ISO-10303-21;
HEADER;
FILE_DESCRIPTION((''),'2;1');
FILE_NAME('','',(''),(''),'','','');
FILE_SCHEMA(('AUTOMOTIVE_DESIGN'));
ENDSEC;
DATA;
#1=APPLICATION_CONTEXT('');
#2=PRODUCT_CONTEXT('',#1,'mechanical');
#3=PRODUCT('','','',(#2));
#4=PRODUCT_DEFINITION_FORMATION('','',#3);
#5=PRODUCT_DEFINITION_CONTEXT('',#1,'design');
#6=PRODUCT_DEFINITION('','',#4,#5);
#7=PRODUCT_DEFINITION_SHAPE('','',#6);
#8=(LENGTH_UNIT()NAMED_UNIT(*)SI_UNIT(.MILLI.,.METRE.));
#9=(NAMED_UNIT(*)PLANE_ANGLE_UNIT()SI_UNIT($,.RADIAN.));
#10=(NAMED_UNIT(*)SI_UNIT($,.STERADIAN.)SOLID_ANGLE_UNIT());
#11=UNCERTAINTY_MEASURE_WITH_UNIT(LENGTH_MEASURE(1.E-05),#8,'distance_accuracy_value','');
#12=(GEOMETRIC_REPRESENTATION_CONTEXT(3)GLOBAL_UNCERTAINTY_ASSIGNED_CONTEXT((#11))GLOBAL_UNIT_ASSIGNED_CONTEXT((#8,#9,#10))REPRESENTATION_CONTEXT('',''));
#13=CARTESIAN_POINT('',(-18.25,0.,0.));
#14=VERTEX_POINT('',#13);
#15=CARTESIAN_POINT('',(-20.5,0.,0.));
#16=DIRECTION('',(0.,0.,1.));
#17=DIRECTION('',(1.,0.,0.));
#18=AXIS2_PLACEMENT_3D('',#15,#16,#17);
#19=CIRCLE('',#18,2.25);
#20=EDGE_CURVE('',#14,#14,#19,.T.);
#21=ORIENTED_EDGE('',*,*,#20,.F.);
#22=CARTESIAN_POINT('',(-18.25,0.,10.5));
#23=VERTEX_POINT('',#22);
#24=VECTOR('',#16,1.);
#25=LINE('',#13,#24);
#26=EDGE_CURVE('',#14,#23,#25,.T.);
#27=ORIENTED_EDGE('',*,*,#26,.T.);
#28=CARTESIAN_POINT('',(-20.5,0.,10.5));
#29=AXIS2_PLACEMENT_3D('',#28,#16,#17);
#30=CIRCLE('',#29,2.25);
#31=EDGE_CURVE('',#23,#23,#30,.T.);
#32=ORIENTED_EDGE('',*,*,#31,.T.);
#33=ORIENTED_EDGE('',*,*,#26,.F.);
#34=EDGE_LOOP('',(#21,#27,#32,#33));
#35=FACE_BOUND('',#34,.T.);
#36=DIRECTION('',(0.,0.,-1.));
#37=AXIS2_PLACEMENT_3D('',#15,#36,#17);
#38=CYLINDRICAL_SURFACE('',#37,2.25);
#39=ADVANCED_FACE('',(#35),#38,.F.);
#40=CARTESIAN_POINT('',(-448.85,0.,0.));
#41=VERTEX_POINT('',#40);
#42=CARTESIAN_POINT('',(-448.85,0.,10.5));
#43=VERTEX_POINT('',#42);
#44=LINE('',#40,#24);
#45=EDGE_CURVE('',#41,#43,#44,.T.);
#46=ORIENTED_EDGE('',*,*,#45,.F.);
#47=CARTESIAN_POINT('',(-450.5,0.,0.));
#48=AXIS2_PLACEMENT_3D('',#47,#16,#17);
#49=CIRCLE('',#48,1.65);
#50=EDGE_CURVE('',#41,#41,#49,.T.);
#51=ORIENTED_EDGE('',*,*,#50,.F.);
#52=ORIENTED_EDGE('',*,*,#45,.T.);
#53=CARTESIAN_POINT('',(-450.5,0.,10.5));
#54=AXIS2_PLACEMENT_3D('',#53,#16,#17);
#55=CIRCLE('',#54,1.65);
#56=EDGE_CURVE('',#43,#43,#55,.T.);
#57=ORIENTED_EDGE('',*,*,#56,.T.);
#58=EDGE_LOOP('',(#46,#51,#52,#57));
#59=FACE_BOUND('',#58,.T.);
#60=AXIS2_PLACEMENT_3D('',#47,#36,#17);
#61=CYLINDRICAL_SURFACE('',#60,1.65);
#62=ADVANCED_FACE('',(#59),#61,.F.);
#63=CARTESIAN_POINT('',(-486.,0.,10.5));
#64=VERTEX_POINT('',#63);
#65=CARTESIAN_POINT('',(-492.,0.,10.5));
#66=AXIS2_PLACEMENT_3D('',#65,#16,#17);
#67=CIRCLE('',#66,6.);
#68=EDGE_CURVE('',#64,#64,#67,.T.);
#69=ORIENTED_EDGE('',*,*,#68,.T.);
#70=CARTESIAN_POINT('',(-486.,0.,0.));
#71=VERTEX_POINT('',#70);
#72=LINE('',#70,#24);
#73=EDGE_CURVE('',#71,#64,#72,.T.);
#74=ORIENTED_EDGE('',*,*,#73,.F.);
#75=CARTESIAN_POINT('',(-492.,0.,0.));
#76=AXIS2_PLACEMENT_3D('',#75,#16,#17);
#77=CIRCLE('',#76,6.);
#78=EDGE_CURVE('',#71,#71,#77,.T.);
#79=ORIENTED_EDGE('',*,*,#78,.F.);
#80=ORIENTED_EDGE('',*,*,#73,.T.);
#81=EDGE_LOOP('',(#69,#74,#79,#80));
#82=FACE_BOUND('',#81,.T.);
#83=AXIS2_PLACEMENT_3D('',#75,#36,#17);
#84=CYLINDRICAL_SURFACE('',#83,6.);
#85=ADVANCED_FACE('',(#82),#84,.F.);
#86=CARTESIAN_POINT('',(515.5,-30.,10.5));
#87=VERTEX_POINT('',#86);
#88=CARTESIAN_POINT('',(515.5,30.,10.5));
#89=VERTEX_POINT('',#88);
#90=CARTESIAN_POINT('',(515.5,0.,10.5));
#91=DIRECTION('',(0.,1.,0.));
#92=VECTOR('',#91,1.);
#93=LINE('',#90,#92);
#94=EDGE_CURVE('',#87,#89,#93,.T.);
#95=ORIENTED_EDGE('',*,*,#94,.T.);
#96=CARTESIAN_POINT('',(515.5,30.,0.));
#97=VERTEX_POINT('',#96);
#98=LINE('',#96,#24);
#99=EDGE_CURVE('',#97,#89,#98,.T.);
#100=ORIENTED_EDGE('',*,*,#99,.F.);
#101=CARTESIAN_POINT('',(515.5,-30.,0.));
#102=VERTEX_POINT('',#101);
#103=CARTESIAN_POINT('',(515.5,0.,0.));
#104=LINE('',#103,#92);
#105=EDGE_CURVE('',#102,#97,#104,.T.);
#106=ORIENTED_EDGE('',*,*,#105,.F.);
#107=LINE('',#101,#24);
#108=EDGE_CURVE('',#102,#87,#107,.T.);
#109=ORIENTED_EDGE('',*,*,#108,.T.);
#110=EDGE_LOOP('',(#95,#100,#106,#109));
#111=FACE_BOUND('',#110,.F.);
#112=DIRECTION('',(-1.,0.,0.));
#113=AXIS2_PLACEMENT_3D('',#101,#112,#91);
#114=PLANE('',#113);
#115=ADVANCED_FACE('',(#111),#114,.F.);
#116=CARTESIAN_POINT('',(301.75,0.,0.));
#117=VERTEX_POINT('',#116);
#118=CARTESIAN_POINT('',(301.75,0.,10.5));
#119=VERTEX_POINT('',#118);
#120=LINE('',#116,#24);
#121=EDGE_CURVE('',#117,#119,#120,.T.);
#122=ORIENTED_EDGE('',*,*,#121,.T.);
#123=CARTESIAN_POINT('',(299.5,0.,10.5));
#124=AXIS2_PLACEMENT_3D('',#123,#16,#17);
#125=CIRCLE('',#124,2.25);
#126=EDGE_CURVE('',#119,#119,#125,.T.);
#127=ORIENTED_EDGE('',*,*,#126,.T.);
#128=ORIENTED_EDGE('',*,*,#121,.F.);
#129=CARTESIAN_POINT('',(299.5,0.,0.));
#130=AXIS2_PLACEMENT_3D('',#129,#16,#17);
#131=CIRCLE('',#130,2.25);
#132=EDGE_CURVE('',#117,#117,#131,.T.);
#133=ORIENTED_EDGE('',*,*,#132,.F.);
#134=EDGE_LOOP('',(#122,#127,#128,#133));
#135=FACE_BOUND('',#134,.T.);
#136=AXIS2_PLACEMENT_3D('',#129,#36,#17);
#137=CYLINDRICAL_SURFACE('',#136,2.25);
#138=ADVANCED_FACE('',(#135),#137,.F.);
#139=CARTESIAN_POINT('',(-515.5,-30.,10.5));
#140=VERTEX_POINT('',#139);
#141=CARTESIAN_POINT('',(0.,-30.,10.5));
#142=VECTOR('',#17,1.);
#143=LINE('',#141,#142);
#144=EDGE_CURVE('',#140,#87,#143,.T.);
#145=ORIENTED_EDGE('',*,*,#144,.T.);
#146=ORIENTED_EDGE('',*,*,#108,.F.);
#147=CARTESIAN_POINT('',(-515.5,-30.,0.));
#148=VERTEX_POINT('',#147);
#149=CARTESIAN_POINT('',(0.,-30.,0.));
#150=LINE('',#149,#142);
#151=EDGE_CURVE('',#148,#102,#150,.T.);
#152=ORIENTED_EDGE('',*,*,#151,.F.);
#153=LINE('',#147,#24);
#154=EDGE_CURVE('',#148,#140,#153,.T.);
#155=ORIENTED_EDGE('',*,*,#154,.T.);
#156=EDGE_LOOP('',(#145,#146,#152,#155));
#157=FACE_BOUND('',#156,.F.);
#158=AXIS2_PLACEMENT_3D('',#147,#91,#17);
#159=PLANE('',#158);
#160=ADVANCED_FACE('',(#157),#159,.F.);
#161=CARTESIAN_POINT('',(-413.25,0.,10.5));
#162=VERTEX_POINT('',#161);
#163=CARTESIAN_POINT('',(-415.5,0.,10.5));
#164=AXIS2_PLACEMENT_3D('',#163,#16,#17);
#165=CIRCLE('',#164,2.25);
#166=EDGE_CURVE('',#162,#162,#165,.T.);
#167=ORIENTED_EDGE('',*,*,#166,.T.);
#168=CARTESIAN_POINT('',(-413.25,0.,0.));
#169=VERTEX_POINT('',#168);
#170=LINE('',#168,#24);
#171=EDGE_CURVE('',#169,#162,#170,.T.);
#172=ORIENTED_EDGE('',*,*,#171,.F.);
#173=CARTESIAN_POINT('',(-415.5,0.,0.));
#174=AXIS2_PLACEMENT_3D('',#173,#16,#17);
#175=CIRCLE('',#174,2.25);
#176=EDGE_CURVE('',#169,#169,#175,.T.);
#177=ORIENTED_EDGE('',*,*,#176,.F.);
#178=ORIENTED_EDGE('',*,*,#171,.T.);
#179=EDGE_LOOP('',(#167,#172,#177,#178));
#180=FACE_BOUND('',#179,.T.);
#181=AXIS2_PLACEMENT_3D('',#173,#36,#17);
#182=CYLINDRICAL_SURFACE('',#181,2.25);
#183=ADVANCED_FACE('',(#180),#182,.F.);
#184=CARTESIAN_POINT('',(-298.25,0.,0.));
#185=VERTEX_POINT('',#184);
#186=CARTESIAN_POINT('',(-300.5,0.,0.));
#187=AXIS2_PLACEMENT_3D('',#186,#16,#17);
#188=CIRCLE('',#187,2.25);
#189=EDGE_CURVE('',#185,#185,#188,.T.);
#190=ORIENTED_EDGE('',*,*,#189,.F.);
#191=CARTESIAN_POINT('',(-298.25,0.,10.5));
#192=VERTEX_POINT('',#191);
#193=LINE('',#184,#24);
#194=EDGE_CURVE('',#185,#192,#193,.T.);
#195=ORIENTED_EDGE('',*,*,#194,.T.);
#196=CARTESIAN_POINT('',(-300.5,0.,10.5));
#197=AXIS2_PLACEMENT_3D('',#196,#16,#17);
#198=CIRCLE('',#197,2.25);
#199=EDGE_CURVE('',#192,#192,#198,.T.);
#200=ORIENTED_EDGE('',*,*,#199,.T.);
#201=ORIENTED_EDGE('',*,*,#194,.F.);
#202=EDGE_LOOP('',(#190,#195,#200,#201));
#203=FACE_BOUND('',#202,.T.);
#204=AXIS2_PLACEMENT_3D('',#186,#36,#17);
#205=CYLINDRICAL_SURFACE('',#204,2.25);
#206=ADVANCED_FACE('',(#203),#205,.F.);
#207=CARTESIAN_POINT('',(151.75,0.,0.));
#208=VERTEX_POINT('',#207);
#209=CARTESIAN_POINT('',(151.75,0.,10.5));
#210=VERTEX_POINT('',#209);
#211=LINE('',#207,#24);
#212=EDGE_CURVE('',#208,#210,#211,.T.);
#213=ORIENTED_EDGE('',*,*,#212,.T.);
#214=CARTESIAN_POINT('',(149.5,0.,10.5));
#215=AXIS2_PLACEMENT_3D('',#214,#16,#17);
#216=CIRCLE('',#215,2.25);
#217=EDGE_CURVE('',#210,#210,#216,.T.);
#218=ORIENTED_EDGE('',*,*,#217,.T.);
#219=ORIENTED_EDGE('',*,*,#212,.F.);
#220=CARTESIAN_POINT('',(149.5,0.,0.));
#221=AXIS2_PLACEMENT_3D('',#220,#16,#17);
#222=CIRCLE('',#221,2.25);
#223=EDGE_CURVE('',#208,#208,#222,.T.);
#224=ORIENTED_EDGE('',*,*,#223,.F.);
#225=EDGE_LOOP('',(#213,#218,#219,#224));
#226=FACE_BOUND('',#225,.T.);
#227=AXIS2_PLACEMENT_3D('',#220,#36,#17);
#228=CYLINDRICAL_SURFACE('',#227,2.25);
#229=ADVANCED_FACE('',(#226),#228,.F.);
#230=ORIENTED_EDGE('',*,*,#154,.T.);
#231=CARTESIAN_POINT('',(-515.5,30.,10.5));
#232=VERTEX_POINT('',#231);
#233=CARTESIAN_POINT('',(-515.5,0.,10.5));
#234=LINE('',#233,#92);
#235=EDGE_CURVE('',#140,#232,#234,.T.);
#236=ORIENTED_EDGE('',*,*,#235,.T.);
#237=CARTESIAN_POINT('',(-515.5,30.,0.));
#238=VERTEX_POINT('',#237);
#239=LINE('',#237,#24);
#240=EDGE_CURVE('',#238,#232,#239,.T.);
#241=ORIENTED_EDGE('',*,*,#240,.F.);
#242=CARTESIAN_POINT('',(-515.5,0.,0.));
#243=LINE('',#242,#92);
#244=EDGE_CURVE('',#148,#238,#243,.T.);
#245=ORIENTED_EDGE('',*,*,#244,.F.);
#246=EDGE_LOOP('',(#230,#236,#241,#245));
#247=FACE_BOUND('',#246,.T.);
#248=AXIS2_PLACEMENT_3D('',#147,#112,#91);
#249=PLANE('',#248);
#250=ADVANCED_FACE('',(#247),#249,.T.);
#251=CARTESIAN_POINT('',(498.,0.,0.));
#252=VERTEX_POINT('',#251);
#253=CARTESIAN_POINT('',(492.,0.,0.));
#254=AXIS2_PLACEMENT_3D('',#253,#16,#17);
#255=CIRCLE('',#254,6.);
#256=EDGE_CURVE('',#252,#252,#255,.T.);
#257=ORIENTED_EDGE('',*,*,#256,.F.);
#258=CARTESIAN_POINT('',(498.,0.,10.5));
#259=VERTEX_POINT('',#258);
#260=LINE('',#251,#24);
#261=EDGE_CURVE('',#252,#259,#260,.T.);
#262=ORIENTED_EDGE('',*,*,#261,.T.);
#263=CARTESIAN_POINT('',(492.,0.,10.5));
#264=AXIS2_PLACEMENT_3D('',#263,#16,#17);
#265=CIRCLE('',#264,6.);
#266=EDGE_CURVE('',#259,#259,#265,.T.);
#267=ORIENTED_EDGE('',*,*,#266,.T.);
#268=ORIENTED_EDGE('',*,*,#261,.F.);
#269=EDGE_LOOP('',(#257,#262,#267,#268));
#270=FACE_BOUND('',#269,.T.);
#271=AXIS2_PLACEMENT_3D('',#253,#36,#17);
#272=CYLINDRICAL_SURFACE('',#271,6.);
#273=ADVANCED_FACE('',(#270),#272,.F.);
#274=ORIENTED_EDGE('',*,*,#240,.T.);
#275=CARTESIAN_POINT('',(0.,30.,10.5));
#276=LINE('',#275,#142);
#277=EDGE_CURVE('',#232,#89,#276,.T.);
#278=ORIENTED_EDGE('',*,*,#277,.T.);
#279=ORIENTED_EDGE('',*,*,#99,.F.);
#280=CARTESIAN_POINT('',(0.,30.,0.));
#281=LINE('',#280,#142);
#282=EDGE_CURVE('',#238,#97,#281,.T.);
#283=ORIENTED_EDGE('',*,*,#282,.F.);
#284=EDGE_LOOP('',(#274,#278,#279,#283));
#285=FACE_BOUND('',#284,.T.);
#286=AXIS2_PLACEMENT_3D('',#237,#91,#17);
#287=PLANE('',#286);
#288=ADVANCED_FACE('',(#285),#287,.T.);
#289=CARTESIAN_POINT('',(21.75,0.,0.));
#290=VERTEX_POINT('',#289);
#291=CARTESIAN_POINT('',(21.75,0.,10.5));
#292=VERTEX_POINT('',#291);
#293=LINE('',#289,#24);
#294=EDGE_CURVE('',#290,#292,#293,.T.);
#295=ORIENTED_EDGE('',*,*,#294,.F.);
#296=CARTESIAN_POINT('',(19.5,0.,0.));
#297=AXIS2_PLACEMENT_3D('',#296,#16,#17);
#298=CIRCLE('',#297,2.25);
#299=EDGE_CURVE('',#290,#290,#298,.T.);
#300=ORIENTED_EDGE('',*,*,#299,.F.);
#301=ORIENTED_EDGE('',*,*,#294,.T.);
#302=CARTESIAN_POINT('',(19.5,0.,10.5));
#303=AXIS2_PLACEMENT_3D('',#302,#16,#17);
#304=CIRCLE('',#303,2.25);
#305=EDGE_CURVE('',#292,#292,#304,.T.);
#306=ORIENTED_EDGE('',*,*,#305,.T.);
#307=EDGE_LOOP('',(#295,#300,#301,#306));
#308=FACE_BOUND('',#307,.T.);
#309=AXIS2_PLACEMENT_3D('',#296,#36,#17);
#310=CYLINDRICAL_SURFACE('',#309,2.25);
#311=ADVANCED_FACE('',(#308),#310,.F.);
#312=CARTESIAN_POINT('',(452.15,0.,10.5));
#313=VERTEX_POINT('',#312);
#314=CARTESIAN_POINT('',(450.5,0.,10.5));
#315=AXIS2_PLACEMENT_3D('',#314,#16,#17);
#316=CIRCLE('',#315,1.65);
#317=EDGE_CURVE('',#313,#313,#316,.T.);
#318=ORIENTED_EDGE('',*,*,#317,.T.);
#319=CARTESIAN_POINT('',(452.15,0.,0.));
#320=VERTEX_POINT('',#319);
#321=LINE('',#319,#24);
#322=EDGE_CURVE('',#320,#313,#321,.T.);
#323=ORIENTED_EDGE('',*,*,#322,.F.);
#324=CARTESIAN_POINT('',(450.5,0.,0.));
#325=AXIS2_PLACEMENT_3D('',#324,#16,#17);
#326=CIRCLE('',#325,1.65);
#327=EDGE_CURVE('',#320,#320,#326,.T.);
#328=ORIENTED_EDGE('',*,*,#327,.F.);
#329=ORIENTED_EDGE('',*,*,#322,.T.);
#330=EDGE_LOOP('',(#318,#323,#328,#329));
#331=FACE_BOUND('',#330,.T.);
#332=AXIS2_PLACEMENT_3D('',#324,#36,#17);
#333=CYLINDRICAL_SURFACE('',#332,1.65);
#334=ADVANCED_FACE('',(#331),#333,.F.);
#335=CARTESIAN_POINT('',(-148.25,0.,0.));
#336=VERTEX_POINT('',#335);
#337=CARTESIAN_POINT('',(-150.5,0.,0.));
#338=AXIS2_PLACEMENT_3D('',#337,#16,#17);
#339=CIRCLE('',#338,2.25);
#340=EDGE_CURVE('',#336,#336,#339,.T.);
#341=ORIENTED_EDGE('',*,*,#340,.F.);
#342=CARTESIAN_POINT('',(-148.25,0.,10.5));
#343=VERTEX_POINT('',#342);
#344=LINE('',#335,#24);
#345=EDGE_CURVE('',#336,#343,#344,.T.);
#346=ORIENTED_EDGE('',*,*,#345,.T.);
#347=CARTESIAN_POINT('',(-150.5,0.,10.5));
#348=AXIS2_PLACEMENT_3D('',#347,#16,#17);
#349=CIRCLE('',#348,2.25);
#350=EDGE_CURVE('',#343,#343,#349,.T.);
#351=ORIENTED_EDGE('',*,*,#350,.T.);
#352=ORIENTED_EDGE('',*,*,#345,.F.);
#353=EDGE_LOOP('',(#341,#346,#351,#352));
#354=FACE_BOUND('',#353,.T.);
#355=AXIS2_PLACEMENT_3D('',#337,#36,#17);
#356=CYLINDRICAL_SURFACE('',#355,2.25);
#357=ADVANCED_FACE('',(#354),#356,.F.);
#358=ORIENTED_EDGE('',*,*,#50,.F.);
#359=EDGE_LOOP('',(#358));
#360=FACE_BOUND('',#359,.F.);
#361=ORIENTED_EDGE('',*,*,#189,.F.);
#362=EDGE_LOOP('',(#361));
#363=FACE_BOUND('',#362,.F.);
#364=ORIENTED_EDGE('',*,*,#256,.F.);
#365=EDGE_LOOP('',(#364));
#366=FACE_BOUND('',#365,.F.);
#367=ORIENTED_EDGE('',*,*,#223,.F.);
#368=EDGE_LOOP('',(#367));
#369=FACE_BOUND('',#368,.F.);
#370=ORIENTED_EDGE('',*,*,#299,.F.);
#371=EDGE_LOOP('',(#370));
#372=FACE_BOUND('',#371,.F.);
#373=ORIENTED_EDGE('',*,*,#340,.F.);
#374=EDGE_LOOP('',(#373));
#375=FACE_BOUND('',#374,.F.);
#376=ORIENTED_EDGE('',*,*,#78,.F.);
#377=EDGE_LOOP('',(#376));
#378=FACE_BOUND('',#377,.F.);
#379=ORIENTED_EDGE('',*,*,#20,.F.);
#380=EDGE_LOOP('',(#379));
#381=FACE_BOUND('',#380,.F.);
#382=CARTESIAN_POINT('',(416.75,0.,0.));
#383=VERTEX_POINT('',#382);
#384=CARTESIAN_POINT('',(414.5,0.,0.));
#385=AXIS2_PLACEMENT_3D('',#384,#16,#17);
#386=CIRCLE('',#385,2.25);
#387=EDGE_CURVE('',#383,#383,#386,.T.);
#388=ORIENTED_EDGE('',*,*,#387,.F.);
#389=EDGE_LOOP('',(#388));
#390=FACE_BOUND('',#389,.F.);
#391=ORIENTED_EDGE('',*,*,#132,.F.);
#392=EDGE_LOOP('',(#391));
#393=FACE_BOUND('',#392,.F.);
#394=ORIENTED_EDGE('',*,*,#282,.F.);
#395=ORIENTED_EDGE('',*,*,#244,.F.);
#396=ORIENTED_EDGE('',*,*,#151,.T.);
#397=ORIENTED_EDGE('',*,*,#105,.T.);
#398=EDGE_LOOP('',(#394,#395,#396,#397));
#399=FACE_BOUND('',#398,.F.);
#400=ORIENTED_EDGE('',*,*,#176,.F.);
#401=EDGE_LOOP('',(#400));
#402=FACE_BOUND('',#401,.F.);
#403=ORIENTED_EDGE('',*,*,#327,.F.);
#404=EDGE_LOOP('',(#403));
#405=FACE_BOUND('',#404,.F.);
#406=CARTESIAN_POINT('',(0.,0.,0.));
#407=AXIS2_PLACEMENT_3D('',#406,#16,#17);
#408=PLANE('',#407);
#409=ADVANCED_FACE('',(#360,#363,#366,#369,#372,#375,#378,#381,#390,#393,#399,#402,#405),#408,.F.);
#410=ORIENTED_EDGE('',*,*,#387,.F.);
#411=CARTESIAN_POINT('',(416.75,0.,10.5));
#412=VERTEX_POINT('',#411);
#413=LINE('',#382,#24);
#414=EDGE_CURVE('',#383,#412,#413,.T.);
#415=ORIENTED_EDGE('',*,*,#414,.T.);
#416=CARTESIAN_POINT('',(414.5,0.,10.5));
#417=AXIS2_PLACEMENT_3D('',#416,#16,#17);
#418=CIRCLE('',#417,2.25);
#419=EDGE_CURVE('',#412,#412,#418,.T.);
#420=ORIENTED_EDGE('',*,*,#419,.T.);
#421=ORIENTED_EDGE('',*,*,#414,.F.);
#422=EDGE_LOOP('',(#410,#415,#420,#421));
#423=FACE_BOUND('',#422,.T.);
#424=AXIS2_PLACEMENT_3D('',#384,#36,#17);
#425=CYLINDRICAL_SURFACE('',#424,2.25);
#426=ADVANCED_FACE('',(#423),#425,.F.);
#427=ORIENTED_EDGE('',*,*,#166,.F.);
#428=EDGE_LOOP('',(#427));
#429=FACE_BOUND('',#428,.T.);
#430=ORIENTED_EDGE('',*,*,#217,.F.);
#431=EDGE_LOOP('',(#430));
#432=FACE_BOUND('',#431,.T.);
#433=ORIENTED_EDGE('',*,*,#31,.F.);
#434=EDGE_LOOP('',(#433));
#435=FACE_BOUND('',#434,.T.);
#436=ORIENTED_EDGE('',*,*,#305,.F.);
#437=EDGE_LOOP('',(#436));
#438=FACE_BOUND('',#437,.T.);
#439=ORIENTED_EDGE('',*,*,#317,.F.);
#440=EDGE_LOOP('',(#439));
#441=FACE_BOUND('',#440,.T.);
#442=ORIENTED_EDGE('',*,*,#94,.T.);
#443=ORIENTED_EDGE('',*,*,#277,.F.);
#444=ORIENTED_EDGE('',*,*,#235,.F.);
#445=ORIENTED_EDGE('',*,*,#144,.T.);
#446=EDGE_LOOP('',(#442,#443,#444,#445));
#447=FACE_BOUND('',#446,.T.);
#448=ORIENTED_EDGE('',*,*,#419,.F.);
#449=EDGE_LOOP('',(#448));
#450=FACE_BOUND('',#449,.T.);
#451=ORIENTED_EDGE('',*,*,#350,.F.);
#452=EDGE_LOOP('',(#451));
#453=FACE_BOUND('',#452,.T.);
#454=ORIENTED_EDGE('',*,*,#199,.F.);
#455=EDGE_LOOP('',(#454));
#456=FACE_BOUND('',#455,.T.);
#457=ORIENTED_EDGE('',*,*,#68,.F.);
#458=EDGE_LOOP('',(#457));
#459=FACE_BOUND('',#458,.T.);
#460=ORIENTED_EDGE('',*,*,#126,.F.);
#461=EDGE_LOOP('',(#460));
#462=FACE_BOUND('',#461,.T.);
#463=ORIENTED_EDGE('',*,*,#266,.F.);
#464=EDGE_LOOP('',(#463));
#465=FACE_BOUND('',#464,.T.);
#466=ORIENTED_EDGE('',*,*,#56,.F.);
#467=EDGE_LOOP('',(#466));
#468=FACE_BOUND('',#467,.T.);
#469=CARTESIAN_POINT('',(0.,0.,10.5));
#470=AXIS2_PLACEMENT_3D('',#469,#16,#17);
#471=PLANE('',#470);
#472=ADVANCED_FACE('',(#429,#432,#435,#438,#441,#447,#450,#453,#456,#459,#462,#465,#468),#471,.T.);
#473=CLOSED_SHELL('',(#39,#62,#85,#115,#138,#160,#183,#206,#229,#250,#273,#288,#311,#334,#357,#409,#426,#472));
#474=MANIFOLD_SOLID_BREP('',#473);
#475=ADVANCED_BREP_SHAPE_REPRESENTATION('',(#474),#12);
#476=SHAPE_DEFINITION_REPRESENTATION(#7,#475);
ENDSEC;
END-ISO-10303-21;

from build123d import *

# Parameters (mm, degrees)
F0_W     = 1031
F0_H     = 60
F0_R     = 6
F0_R_2   = 1.65
F0_R_3   = 2.25
F1_DEPTH = 10.5


with BuildPart() as f1:
    # F0 (on Top) → F1 (new body)
    with BuildSketch(Plane.XY):
        Rectangle(F0_W, F0_H)
        with Locations((-492, 0)):
            Circle(F0_R, mode=Mode.SUBTRACT)
        with Locations((-450.5, 0)):
            Circle(F0_R_2, mode=Mode.SUBTRACT)
        with Locations((-415.5, 0)):
            Circle(F0_R_3, mode=Mode.SUBTRACT)
        with Locations((-300.5, 0)):
            Circle(F0_R_3, mode=Mode.SUBTRACT)
        with Locations((-150.5, 0)):
            Circle(F0_R_3, mode=Mode.SUBTRACT)
        with Locations((-20.5, 0)):
            Circle(F0_R_3, mode=Mode.SUBTRACT)
        with Locations((19.5, 0)):
            Circle(F0_R_3, mode=Mode.SUBTRACT)
        with Locations((149.5, 0)):
            Circle(F0_R_3, mode=Mode.SUBTRACT)
        with Locations((299.5, 0)):
            Circle(F0_R_3, mode=Mode.SUBTRACT)
        with Locations((414.5, 0)):
            Circle(F0_R_3, mode=Mode.SUBTRACT)
        with Locations((450.5, 0)):
            Circle(F0_R_2, mode=Mode.SUBTRACT)
        with Locations((492, 0)):
            Circle(F0_R, mode=Mode.SUBTRACT)
    extrude(amount=F1_DEPTH)


solid = f1.part
